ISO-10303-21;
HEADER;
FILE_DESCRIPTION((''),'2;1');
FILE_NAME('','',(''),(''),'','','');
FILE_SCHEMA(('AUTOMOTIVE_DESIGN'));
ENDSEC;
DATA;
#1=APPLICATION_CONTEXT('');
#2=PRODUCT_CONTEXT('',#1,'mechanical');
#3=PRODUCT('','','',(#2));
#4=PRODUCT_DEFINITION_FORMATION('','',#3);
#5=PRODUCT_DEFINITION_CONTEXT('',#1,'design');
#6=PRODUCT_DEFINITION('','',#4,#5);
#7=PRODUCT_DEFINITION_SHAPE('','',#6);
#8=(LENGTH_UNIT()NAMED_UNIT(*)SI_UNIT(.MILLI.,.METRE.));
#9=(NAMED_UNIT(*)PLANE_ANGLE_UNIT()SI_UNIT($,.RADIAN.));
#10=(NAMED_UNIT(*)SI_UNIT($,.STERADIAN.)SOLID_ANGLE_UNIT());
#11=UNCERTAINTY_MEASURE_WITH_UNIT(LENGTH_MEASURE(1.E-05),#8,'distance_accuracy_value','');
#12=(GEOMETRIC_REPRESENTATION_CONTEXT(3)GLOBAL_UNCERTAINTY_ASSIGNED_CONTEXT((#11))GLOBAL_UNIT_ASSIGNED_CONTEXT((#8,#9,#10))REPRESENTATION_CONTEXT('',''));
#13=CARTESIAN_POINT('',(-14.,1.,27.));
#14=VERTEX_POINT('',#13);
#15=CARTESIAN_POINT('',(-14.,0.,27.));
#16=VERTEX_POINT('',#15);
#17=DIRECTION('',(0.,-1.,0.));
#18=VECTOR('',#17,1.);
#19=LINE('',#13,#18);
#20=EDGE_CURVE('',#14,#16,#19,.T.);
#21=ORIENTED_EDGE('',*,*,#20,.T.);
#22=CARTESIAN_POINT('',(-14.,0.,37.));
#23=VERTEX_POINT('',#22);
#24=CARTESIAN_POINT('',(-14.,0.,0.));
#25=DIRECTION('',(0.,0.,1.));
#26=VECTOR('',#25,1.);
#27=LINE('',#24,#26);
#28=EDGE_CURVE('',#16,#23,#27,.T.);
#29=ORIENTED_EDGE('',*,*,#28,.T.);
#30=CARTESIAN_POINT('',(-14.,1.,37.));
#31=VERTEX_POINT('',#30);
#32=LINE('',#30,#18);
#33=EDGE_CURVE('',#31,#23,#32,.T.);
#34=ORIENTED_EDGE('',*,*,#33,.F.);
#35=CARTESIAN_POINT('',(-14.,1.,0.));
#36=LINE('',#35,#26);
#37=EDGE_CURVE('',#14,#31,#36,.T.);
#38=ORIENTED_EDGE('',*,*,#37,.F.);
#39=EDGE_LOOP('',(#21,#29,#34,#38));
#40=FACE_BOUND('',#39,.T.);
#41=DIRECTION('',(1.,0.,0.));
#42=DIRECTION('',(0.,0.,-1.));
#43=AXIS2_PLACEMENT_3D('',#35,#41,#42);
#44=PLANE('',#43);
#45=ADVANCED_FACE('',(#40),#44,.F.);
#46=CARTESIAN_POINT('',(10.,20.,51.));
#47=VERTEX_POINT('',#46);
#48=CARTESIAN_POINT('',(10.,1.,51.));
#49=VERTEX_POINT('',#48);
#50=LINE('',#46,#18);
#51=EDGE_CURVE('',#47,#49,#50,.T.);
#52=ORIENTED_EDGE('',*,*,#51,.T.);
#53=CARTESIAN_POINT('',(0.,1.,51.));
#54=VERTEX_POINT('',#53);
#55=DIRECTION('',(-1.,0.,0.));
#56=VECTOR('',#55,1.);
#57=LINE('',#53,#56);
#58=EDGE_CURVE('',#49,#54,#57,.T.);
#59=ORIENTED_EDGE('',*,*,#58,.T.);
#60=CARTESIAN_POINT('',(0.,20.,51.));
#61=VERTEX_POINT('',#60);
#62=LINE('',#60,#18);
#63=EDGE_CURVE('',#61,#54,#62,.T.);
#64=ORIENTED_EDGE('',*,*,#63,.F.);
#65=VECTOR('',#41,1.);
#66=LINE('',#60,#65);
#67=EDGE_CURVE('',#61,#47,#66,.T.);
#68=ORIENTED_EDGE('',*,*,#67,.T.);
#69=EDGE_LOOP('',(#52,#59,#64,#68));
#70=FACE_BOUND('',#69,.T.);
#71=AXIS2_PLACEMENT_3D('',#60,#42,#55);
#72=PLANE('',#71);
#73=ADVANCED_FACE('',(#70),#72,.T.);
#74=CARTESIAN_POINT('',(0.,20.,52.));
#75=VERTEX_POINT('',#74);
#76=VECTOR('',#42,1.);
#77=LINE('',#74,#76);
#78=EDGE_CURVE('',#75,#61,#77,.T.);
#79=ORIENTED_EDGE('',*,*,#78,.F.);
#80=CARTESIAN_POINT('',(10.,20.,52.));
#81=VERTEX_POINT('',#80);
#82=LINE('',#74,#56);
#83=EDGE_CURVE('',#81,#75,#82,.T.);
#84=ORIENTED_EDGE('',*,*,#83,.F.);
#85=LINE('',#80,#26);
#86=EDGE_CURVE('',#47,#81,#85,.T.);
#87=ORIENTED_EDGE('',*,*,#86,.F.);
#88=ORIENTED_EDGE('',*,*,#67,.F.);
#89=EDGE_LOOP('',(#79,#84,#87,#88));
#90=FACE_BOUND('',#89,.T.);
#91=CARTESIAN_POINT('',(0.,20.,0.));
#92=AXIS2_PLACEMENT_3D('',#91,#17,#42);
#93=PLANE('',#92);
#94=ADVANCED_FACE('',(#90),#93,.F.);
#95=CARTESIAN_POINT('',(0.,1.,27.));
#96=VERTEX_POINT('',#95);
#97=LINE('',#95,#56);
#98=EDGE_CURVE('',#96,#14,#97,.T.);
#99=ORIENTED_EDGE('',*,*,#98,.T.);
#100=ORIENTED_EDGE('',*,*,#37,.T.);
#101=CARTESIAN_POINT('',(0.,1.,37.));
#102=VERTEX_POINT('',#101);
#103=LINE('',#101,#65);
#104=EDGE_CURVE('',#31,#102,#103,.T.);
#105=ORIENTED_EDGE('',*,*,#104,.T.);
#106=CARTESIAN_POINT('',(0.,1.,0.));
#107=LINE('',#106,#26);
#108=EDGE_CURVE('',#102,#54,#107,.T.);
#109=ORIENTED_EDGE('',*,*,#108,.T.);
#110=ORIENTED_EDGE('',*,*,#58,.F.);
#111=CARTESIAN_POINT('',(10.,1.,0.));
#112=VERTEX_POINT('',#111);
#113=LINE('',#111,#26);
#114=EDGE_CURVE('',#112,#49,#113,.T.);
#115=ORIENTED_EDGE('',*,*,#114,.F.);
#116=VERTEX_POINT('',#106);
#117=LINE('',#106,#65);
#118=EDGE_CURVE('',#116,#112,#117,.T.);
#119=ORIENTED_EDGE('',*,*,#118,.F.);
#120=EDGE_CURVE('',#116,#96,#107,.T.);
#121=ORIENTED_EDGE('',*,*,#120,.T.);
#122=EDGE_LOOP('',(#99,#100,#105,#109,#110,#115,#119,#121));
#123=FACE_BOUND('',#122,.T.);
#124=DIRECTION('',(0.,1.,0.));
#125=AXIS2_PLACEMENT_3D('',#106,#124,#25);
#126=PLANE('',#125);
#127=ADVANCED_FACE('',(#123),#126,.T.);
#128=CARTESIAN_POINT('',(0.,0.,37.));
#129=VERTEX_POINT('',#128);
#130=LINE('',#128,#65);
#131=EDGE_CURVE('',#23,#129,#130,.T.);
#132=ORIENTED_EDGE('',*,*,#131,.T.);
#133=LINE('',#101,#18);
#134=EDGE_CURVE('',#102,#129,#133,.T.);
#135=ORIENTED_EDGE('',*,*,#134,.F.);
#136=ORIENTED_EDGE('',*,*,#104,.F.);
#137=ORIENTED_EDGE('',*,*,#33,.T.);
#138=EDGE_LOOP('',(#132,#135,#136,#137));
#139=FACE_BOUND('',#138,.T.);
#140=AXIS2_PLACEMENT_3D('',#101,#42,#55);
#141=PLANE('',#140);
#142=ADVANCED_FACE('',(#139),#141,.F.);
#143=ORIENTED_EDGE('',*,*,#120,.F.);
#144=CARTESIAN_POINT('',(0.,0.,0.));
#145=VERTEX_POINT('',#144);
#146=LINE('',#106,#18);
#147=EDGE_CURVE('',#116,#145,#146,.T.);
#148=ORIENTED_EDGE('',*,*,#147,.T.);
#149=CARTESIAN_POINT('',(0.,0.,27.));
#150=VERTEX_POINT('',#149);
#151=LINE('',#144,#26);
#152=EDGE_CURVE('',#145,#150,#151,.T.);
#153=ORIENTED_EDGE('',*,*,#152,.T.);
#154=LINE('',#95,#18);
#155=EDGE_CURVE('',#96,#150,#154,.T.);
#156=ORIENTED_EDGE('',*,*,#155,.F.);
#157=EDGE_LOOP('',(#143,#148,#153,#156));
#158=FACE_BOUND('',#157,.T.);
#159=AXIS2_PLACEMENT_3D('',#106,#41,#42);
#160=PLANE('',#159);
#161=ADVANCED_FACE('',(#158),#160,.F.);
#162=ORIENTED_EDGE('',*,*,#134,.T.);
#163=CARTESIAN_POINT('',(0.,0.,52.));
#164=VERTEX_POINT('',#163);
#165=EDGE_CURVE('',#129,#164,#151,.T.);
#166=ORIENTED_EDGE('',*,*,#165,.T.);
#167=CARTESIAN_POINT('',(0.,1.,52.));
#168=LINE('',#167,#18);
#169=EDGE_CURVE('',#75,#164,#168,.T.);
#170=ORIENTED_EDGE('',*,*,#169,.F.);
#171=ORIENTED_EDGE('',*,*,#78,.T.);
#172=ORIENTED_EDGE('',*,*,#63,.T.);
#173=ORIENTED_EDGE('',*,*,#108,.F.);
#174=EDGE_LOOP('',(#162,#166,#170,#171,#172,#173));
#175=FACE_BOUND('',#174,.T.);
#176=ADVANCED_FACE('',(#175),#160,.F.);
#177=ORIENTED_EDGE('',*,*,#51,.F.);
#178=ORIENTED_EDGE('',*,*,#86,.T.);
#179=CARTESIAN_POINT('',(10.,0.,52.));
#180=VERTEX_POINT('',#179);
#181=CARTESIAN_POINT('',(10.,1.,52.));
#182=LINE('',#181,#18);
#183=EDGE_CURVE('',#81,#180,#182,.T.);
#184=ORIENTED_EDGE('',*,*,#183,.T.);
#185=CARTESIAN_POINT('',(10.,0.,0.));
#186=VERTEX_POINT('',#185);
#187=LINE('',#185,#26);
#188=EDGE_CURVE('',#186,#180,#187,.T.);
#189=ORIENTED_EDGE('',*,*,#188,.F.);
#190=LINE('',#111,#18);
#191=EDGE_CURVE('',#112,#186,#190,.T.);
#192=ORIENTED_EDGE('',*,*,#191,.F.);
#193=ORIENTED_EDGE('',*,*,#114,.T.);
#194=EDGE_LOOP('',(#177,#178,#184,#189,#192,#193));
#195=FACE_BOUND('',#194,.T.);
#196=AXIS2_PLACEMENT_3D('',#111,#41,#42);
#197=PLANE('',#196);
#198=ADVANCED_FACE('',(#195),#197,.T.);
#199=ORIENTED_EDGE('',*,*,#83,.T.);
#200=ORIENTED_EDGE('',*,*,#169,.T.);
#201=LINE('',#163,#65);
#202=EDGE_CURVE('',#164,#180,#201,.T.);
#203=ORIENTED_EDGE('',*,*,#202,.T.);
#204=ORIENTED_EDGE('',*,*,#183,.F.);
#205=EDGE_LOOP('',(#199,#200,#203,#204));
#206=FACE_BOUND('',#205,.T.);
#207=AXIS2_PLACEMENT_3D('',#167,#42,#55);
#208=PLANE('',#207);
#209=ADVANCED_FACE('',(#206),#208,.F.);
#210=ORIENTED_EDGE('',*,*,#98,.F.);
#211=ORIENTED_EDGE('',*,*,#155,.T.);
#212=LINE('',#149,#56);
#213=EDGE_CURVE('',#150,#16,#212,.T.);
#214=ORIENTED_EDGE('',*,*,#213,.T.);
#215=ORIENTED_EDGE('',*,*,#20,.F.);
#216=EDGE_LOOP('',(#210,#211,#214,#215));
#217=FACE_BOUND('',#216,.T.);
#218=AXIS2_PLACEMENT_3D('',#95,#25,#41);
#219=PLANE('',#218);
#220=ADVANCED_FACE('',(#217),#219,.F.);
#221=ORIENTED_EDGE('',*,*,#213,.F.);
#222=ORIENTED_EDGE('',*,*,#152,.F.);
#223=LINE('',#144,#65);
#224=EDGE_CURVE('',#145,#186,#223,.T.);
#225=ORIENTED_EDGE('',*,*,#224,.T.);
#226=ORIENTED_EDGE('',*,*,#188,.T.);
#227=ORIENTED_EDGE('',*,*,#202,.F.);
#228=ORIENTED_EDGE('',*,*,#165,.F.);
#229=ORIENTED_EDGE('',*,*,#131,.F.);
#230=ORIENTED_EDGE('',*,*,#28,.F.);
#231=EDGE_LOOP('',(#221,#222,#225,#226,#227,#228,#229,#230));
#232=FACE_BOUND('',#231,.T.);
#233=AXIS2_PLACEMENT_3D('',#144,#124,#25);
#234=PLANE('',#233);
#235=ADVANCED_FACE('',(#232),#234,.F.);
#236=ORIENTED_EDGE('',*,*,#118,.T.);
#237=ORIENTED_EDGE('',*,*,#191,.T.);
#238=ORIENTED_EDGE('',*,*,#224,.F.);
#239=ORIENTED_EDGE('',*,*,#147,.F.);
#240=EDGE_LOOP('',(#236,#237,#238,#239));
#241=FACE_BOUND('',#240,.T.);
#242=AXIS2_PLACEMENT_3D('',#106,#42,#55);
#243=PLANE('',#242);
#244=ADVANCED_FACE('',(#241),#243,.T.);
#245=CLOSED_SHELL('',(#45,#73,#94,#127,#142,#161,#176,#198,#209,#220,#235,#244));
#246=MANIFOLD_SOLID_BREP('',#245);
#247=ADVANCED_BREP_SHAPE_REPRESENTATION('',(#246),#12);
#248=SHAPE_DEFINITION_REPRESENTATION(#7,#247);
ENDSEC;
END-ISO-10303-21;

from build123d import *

# Parameters (mm, degrees)
SKETCH1_W           = 10
SKETCH1_H           = 25
SKETCH1_H_2         = 27
SKETCH1_W_2         = 14
SKETCH1_H_3         = 10
BOSS_EXTRUDE1_DEPTH = 1
SKETCH2_W           = 10
SKETCH2_H           = 1
BOSS_EXTRUDE2_DEPTH = 20


with BuildPart() as part:
    # Sketch1 → Boss-Extrude1 (new body)
    with BuildSketch(Plane(origin=(0, 0, 0), x_dir=(1, 0, 0), z_dir=(0, 1, 0))):
        with Locations((5, -39.5)):
            Rectangle(SKETCH1_W, SKETCH1_H)
        with Locations((5, -13.5)):
            Rectangle(SKETCH1_W, SKETCH1_H_2)
        with Locations((-7, -32)):
            Rectangle(SKETCH1_W_2, SKETCH1_H_3)
    extrude(amount=BOSS_EXTRUDE1_DEPTH)

    # Sketch2 → Boss-Extrude2 (add)
    with BuildSketch(Plane.XZ):
        with Locations((5, 51.5)):
            Rectangle(SKETCH2_W, SKETCH2_H)
    extrude(amount=-BOSS_EXTRUDE2_DEPTH)


solid = part.part
